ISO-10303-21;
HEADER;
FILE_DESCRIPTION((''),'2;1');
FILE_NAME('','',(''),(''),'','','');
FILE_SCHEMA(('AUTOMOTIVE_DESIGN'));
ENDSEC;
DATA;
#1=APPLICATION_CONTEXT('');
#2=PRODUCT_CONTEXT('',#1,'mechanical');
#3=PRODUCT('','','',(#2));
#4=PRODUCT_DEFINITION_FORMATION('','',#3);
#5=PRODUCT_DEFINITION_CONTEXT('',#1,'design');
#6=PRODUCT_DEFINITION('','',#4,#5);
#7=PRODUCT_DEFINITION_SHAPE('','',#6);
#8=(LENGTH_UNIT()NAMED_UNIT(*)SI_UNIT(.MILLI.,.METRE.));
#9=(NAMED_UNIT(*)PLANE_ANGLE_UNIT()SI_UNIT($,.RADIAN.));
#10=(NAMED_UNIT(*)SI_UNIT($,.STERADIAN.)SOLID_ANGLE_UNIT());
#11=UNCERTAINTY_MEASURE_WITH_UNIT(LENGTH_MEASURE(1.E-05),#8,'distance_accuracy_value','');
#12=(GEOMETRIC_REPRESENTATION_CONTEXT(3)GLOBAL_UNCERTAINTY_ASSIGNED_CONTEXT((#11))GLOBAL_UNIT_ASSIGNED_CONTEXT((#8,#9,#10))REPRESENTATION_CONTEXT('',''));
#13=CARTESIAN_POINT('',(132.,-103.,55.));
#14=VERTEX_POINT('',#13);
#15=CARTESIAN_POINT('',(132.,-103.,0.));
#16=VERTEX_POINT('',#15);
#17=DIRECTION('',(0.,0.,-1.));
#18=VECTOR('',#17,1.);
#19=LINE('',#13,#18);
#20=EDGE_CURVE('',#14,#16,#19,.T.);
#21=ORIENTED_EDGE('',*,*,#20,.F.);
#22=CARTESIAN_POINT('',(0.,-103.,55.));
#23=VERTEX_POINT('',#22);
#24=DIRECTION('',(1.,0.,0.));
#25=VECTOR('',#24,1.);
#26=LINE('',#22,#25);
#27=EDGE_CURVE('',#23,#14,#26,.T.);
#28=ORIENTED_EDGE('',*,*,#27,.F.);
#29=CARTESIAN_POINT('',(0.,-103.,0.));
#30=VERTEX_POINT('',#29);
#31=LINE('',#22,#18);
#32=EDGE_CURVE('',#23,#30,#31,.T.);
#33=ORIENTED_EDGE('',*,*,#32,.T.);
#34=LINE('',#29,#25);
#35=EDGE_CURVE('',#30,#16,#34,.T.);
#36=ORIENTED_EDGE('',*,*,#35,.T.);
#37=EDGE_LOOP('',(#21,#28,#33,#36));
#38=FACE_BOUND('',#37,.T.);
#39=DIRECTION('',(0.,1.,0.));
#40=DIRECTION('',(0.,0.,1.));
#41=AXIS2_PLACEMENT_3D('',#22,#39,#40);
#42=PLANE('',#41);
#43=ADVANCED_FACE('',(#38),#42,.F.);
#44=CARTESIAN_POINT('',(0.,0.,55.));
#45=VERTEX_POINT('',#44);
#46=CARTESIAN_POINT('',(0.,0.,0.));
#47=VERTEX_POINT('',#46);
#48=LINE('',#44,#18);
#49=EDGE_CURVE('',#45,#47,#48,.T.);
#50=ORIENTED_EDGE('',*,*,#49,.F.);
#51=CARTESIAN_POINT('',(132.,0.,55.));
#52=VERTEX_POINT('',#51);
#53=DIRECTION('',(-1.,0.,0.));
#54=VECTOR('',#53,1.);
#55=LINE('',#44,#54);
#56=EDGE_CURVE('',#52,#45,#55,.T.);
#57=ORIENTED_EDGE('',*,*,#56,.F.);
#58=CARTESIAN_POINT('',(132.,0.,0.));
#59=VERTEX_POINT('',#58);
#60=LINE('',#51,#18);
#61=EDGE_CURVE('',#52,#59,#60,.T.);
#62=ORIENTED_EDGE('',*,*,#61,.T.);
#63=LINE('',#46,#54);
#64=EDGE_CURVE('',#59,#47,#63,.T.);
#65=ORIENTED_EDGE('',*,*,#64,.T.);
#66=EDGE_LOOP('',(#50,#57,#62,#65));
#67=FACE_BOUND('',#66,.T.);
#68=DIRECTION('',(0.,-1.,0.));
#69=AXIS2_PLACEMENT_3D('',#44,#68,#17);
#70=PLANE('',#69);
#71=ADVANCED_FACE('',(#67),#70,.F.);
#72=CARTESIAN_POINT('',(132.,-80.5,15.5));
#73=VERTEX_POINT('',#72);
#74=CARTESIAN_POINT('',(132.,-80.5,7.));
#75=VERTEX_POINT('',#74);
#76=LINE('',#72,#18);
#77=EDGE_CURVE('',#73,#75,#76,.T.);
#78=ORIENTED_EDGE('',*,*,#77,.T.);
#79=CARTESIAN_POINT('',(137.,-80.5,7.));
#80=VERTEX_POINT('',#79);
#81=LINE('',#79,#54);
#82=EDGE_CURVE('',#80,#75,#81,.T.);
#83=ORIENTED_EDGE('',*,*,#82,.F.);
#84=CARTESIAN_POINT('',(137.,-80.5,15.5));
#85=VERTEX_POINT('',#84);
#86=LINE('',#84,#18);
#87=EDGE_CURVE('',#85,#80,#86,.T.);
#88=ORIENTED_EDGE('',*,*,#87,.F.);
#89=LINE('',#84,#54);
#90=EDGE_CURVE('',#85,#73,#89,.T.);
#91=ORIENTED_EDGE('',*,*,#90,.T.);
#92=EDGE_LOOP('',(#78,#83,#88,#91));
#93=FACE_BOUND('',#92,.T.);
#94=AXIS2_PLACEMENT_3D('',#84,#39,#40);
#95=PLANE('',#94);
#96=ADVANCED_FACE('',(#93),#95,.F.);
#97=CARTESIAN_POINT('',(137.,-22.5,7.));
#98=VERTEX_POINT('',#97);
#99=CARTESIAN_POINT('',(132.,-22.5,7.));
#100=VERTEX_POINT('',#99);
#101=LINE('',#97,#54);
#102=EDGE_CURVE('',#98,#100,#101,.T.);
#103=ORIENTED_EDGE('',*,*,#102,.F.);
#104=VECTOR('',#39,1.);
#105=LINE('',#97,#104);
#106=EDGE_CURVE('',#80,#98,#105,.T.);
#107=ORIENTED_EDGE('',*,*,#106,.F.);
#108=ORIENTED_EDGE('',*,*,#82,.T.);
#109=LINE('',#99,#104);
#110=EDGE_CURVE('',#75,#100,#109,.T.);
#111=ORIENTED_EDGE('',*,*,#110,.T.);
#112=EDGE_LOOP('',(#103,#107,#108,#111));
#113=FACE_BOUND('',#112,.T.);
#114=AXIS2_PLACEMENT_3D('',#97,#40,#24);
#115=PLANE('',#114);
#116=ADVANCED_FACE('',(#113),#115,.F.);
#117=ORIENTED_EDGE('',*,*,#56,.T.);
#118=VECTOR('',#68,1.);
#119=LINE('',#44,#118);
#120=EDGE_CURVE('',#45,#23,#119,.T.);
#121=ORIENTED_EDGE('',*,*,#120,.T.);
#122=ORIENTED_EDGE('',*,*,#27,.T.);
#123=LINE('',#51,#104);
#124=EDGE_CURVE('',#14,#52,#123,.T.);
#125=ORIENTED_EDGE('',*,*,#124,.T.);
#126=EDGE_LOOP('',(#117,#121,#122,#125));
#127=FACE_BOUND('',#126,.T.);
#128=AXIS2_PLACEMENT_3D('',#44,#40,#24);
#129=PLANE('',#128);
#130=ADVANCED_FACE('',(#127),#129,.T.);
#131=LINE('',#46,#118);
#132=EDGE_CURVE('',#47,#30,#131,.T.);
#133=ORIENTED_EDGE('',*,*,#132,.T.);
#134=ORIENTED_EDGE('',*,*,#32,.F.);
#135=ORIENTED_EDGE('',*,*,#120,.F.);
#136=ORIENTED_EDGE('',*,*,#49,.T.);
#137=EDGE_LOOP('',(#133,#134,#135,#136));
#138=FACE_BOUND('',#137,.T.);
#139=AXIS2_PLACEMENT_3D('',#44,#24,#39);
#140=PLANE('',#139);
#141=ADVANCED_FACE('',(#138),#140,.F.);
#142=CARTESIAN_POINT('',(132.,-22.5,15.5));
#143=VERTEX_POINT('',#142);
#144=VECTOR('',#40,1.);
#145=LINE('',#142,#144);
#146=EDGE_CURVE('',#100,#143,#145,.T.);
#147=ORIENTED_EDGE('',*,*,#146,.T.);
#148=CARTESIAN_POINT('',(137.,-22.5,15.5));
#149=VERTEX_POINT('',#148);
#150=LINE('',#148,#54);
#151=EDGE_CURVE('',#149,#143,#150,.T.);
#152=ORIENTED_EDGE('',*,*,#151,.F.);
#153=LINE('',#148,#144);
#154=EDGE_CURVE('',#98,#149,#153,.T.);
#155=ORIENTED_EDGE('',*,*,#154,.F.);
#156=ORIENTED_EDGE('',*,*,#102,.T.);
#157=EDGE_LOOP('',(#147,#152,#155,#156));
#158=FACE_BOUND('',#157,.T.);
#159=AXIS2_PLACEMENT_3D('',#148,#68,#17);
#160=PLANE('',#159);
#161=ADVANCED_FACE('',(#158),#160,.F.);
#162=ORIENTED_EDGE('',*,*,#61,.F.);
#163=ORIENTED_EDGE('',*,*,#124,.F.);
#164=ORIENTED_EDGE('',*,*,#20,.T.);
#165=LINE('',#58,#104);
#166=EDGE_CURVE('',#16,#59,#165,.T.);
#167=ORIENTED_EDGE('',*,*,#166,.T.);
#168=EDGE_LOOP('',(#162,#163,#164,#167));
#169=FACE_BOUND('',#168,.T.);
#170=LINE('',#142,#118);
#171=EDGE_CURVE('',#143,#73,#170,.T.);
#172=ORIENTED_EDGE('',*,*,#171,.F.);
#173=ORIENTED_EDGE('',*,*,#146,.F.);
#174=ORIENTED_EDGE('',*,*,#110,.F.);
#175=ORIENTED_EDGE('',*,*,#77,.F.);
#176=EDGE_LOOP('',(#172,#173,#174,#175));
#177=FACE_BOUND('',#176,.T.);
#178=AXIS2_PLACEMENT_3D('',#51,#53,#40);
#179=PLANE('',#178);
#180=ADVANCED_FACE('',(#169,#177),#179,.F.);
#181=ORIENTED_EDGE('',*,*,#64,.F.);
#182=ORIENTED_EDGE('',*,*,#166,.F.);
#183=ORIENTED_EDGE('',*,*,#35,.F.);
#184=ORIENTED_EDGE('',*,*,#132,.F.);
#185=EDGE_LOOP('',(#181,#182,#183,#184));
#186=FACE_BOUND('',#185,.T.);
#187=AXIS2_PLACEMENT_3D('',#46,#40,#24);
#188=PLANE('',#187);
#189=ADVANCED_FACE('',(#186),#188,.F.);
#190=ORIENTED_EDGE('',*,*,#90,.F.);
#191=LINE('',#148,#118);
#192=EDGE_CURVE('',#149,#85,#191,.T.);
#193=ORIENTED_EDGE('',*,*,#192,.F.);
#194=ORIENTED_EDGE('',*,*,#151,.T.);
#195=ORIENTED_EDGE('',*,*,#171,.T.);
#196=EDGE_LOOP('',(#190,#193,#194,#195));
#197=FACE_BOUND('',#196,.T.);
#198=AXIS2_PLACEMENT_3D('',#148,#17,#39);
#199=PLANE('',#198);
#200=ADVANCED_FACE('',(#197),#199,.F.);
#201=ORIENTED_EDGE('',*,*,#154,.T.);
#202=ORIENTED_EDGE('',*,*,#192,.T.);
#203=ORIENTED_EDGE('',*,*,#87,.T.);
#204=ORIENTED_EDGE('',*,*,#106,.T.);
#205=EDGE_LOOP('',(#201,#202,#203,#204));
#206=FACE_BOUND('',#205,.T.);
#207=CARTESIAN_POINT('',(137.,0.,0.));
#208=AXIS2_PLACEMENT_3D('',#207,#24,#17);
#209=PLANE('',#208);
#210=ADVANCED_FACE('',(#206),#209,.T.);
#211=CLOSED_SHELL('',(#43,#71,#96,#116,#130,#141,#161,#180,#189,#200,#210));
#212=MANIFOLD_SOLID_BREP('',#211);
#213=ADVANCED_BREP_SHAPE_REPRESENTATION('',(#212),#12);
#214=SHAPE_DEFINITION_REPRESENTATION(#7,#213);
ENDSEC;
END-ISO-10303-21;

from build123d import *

# Parameters (mm, degrees)
SKETCH1_W           = 132
SKETCH1_H           = 103
BOSS_EXTRUDE1_DEPTH = 55
SKETCH2_W           = 8.5
SKETCH2_H           = 58
BOSS_EXTRUDE2_DEPTH = 5


with BuildPart() as part:
    # Sketch1 → Boss-Extrude1 (new body)
    with BuildSketch(Plane.XY):
        with Locations((66, -51.5)):
            Rectangle(SKETCH1_W, SKETCH1_H)
    extrude(amount=BOSS_EXTRUDE1_DEPTH)

    # Sketch2 → Boss-Extrude2 (add)
    with BuildSketch(Plane(origin=(132, 0, 0), x_dir=(0, 0, -1), z_dir=(1, 0, 0))):
        with Locations((-11.25, -51.5)):
            Rectangle(SKETCH2_W, SKETCH2_H)
    extrude(amount=BOSS_EXTRUDE2_DEPTH)


solid = part.part
